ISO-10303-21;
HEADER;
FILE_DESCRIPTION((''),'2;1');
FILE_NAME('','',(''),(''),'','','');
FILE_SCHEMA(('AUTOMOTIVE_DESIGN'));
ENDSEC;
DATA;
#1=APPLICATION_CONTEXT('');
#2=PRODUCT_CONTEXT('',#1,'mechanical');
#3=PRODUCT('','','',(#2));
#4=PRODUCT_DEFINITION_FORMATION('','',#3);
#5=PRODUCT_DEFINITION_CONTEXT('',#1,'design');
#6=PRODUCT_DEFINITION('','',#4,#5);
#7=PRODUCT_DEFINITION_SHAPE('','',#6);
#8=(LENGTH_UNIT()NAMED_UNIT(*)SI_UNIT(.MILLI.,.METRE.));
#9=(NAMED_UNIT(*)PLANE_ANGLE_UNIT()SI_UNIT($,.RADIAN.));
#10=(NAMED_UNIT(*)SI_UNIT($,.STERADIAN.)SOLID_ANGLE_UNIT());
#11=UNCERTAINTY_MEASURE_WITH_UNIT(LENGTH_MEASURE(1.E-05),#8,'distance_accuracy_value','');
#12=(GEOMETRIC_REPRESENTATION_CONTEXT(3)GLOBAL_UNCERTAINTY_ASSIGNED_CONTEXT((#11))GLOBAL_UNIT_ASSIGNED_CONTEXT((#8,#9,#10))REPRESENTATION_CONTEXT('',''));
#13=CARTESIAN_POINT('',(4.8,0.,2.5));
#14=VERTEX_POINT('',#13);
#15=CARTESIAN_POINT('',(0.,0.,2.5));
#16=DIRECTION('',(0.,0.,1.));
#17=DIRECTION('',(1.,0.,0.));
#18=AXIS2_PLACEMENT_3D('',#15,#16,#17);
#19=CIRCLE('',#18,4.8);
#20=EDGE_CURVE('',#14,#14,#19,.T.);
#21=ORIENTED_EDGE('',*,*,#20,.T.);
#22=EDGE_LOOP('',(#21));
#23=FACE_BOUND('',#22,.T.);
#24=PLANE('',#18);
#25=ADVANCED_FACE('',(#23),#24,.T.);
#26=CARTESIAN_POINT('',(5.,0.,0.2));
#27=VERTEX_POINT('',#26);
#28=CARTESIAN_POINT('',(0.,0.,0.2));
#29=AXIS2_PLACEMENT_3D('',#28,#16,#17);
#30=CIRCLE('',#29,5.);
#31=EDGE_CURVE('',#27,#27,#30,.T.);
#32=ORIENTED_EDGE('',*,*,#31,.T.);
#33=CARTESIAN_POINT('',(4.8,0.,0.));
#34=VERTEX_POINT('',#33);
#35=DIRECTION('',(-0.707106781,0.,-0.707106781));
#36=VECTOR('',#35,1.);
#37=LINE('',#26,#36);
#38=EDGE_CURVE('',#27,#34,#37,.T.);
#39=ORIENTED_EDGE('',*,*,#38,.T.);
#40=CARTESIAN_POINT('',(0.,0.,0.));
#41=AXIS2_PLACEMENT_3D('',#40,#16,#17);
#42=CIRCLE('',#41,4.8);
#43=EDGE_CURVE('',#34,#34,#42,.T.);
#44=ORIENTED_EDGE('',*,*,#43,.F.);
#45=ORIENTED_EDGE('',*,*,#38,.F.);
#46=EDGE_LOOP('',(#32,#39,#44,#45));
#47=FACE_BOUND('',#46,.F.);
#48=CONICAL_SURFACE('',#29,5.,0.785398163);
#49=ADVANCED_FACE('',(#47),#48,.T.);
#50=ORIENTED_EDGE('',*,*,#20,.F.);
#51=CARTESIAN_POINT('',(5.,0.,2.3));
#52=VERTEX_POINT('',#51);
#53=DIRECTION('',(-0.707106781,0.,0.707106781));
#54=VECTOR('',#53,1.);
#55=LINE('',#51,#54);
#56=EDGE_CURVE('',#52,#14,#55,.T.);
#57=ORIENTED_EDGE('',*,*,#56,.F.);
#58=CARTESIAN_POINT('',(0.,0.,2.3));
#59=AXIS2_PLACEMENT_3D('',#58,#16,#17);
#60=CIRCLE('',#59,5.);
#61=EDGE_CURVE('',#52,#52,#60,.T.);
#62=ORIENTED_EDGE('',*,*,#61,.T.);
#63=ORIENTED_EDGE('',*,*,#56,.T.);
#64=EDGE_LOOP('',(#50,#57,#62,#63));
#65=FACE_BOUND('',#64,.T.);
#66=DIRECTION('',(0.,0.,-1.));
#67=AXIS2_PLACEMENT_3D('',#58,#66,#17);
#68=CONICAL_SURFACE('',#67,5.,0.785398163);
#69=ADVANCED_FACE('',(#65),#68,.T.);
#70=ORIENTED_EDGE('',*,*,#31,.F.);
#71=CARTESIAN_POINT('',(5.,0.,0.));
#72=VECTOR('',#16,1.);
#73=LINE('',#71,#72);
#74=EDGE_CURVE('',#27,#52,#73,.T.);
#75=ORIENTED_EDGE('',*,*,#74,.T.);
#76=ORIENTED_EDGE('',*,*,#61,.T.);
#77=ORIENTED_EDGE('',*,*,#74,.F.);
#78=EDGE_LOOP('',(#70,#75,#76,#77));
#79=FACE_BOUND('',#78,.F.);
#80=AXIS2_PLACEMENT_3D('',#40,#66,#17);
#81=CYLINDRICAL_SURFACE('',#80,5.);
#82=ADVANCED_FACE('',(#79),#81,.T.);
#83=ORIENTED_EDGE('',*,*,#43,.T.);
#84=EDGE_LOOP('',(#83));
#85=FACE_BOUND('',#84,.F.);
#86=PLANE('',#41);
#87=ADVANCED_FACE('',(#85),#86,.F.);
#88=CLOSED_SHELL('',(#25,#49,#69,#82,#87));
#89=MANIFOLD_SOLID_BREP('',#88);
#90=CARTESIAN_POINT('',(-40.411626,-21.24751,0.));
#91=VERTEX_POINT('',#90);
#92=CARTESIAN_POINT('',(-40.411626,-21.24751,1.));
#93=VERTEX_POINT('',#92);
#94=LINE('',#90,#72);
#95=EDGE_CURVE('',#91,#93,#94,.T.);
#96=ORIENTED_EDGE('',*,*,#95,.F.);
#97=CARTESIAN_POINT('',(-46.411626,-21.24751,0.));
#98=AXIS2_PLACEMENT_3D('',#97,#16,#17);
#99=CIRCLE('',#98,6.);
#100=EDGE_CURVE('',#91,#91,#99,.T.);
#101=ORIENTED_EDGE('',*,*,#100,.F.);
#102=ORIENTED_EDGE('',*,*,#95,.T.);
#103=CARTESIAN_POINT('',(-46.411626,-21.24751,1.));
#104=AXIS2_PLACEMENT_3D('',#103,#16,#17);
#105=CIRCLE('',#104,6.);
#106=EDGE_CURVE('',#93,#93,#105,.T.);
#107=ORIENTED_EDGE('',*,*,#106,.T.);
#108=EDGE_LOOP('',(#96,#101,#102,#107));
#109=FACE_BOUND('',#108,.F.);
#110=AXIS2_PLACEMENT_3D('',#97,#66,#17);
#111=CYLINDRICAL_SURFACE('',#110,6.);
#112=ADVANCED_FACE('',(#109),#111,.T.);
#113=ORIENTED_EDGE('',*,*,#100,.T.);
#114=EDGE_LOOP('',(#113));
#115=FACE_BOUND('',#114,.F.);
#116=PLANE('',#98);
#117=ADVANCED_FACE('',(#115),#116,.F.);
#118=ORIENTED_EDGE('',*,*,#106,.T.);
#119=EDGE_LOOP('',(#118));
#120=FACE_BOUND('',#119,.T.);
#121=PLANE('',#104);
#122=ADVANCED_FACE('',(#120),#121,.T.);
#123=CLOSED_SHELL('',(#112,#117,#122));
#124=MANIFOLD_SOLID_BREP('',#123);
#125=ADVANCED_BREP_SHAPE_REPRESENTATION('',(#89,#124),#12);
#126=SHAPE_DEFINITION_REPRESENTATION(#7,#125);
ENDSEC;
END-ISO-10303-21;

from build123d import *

# Parameters (mm, degrees)
F0_R     = 5
F1_DEPTH = 2.5
F2_SIZE  = 0.2
F3_R     = 6
F4_DEPTH = 1


with BuildPart() as f1:
    # F0 (on Top) → F1 (new body)
    with BuildSketch(Plane.XY):
        Circle(F0_R)
    extrude(amount=F1_DEPTH)

    # F2
    f2_edges = [f1.edges().sort_by_distance(p)[0] for p in [
        (-5, 0, 2.5),
        (-5, 0, 0),
    ]]
    chamfer(f2_edges, length=F2_SIZE)


with BuildPart() as f4:
    # F3 (on Top) → F4 (new body)
    with BuildSketch(Plane.XY):
        with Locations((-46.411626, -21.24751)):
            Circle(F3_R)
    extrude(amount=F4_DEPTH)


solid = Compound([f1.part, f4.part])
